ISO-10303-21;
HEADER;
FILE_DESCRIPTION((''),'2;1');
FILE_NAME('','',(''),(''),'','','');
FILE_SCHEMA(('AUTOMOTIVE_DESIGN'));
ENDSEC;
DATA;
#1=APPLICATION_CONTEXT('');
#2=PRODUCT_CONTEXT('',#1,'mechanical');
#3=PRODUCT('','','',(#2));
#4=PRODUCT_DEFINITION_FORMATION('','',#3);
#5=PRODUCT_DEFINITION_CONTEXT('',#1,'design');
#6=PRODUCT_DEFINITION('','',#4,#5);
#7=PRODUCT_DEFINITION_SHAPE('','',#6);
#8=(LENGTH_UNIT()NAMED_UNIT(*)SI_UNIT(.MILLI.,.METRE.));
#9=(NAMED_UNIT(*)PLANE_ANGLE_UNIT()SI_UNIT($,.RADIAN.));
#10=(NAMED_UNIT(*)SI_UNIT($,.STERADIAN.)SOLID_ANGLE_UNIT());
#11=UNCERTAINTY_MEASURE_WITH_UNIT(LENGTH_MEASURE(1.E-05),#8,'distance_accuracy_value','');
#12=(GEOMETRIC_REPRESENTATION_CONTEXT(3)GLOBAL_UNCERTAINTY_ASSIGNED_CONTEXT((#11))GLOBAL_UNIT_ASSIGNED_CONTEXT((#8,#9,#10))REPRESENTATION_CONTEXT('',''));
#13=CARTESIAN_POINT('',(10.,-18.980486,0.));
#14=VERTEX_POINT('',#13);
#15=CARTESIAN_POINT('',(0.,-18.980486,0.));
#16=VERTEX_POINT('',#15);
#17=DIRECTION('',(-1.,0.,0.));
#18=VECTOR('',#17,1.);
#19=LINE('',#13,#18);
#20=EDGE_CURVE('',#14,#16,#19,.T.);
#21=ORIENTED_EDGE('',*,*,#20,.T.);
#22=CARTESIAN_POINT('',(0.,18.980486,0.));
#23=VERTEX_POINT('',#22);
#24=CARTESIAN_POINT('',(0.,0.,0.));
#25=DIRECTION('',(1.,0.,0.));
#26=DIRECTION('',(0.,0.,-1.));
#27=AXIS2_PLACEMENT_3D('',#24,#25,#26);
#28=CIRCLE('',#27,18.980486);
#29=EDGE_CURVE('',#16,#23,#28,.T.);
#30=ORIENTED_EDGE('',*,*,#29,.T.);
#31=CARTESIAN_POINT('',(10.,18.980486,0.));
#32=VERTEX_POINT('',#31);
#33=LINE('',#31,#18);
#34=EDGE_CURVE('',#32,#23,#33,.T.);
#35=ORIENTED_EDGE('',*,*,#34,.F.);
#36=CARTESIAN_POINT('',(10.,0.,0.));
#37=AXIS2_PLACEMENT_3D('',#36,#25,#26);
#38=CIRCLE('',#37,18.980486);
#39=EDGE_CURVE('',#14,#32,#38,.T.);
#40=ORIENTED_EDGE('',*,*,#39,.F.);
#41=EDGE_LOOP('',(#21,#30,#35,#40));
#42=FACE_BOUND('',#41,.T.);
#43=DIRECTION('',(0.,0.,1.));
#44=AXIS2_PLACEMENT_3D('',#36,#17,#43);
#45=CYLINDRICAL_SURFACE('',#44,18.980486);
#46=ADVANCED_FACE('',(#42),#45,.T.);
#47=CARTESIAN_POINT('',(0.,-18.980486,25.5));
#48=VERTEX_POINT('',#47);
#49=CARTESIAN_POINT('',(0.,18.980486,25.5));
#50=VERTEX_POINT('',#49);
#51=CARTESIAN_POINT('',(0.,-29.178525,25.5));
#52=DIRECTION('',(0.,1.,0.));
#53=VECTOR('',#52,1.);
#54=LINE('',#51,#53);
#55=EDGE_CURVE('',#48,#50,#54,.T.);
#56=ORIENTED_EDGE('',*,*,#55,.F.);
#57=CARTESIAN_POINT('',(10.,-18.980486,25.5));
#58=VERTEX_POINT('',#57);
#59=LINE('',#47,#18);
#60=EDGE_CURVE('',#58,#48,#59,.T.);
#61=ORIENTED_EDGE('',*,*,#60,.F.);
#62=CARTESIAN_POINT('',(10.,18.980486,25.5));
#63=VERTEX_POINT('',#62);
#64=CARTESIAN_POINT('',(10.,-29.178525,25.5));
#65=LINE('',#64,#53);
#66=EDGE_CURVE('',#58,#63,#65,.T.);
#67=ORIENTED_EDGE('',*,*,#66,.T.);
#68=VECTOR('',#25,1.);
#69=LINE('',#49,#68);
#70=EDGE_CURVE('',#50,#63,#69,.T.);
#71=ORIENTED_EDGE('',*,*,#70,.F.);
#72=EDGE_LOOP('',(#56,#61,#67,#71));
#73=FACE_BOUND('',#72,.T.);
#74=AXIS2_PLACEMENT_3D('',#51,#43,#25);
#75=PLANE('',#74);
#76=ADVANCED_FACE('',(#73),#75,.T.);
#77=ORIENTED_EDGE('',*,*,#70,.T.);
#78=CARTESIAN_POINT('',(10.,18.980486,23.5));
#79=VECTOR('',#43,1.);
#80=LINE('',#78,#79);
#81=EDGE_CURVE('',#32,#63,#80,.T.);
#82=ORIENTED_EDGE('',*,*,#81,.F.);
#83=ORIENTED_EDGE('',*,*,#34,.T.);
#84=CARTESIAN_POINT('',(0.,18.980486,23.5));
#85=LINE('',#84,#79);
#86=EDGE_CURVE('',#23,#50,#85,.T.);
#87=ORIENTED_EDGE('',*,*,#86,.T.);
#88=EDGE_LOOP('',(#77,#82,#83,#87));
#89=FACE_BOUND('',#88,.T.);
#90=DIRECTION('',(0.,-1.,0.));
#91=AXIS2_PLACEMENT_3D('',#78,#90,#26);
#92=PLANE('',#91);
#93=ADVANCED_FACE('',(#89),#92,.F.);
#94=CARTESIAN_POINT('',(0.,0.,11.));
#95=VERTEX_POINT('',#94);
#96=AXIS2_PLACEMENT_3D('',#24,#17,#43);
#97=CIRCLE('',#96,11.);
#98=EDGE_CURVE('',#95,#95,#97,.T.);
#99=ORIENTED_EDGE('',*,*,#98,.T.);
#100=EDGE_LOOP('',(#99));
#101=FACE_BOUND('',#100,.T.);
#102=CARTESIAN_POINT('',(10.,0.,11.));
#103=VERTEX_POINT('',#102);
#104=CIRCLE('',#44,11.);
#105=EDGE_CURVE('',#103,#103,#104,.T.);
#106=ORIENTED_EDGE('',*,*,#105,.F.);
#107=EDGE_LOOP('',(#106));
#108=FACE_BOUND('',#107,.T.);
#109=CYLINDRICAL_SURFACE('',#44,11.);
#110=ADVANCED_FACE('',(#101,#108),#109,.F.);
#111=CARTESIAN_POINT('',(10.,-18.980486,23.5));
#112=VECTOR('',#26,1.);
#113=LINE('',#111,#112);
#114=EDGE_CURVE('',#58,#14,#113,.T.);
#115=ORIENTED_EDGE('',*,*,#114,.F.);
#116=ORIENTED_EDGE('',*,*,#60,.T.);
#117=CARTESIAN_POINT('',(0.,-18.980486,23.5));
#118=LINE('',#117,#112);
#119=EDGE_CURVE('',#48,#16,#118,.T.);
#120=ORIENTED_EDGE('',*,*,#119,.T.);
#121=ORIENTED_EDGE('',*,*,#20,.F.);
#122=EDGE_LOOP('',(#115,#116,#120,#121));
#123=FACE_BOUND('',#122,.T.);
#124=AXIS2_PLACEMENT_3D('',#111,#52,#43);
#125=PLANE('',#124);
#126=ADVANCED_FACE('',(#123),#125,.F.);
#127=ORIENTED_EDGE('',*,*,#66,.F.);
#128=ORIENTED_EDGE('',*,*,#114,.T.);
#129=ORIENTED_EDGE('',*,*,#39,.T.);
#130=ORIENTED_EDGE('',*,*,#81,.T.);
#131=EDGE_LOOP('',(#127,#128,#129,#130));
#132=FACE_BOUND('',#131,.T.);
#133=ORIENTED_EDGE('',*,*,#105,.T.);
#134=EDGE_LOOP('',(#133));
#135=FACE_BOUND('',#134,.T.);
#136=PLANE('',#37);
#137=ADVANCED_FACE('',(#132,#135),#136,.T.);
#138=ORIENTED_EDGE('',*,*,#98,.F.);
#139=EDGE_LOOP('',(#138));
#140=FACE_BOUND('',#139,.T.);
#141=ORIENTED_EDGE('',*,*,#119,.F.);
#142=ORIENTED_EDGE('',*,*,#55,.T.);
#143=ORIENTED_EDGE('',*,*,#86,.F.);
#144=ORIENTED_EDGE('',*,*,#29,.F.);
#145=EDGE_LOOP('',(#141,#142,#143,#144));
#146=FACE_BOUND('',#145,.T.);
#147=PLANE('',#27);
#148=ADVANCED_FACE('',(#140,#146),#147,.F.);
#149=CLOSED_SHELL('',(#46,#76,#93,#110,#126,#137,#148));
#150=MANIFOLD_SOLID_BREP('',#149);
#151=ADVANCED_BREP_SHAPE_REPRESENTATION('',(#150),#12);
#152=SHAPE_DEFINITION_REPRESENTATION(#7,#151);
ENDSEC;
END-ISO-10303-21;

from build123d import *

# Parameters (mm, degrees)
BOSS_EXTRUDE1_DEPTH = 10
SKETCH2_R           = 11
CUT_EXTRUDE1_DEPTH  = 10
BOSS_EXTRUDE2_START = -37.960973
SKETCH3_W           = 10
SKETCH3_H           = 2
BOSS_EXTRUDE2_DEPTH = 37.960973


with BuildPart() as part:
    # Sketch1 → Boss-Extrude1 (new body)
    with BuildSketch(Plane(origin=(0, 0, 0), x_dir=(0, 0, -1), z_dir=(1, 0, 0))):
        with BuildLine():
            Line((-23.5, 18.980486252), (0, 18.980486252))
            ThreePointArc((0, 18.980486252), (18.980486252, 0), (0, -18.980486252))
            Line((0, -18.980486252), (-23.5, -18.980486252))
            Line((-23.5, -18.980486252), (-23.5, 18.980486252))
        make_face()
    extrude(amount=BOSS_EXTRUDE1_DEPTH)

    # Sketch2 → Cut-Extrude1 (cut)
    with BuildSketch(Plane.ZY):
        Circle(SKETCH2_R)
    extrude(amount=-CUT_EXTRUDE1_DEPTH, mode=Mode.SUBTRACT)

    # Sketch3 → Boss-Extrude2 (add)
    with BuildSketch(Plane(origin=(0, 18.980486252, 0), x_dir=(1, 0, 0), z_dir=(0, 1, 0)).offset(BOSS_EXTRUDE2_START)):
        with Locations((5, -24.5)):
            Rectangle(SKETCH3_W, SKETCH3_H)
    extrude(amount=BOSS_EXTRUDE2_DEPTH)


solid = part.part
